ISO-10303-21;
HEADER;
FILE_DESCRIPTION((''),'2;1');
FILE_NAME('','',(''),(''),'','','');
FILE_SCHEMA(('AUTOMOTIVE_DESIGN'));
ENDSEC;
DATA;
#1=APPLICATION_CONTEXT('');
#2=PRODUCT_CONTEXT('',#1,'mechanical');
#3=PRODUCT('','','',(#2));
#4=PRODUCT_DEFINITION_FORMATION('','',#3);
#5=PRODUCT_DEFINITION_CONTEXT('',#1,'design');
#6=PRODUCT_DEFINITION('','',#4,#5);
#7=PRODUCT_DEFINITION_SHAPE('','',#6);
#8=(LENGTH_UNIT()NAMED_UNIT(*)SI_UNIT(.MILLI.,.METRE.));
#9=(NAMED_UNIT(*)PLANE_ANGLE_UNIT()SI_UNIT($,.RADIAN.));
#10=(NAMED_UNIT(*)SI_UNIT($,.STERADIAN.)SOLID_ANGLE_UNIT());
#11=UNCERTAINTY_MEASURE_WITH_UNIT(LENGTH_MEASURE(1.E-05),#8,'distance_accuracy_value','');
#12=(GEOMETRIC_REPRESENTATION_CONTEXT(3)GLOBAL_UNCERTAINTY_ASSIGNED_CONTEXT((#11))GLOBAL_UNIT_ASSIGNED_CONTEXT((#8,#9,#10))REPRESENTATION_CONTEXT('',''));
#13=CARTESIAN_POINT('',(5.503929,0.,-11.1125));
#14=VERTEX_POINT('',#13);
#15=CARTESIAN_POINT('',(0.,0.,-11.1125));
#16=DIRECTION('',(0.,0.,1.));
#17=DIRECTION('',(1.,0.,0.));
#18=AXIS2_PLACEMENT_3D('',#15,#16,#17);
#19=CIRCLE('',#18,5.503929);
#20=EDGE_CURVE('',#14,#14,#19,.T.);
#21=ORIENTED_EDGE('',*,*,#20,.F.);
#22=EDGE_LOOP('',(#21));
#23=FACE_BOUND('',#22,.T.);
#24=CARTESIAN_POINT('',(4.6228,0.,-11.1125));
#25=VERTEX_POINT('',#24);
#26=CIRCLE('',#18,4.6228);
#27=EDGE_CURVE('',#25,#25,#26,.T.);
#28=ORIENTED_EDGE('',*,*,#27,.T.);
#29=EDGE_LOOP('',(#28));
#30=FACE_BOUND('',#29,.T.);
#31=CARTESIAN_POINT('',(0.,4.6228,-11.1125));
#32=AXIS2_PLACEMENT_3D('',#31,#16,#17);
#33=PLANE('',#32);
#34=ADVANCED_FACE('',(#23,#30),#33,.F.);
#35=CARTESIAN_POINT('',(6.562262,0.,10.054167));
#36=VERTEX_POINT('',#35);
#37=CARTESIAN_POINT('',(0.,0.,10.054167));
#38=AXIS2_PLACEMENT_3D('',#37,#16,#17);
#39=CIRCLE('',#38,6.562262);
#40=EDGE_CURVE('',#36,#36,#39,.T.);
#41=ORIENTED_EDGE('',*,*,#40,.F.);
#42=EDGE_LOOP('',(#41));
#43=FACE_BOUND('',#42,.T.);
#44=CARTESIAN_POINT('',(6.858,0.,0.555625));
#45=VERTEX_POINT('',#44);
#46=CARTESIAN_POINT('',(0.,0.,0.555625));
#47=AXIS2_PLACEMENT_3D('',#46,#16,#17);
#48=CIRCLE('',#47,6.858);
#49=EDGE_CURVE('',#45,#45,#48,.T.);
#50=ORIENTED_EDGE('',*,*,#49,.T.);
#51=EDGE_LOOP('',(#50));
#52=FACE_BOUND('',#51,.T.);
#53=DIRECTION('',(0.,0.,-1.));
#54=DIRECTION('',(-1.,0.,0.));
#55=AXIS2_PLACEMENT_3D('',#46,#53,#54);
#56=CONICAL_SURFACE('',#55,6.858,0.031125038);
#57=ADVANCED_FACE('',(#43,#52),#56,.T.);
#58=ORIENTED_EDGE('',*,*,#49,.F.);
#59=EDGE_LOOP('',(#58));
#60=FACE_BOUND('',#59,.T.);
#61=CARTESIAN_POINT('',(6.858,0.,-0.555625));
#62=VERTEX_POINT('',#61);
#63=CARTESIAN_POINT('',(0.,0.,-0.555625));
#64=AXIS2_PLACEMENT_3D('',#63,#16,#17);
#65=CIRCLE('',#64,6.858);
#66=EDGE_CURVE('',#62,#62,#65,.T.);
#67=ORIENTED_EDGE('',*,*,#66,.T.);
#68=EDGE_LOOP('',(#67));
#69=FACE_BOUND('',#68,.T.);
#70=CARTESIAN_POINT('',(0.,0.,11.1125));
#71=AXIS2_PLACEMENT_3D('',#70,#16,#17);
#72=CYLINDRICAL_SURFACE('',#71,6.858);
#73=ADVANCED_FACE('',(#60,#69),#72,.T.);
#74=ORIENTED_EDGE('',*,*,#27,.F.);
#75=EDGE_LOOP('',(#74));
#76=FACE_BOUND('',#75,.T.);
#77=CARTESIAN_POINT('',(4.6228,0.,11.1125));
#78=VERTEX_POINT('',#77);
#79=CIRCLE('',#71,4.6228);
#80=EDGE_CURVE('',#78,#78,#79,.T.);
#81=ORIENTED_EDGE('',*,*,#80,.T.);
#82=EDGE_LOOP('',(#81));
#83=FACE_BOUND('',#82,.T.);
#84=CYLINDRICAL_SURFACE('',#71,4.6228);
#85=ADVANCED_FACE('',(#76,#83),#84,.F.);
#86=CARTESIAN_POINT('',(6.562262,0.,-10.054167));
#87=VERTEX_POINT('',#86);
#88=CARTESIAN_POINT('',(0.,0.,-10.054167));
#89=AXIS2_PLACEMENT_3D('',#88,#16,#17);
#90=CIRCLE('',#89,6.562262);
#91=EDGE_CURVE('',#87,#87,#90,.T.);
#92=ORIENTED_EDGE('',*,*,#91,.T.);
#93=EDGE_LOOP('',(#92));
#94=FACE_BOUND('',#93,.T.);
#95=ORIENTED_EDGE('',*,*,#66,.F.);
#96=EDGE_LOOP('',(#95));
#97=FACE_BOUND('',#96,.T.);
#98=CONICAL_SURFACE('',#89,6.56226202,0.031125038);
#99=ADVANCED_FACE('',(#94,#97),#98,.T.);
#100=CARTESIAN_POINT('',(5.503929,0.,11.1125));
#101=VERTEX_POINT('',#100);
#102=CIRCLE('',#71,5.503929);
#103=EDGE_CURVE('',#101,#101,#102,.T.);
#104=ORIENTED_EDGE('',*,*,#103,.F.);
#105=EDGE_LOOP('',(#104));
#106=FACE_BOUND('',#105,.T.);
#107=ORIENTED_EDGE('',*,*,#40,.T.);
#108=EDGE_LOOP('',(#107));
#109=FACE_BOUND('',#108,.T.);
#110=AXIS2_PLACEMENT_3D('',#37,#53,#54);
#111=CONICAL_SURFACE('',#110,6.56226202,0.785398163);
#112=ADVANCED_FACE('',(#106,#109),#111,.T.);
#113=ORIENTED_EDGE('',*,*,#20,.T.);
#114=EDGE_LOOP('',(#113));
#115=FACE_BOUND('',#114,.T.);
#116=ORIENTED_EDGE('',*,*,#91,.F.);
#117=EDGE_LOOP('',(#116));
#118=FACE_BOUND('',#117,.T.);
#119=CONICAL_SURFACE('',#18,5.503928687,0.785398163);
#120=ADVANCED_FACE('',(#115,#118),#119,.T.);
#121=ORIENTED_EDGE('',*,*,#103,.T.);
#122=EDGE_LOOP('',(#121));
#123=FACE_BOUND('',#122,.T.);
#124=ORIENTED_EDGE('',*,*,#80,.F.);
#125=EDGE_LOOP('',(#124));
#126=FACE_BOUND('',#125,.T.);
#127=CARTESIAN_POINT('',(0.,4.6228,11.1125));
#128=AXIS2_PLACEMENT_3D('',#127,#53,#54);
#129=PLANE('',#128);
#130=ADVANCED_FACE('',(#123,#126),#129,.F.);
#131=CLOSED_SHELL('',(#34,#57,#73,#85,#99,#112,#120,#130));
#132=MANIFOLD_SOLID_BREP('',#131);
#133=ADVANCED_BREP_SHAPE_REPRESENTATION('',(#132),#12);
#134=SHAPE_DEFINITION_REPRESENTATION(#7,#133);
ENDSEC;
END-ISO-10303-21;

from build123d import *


with BuildPart() as part:
    # Sketch1 → Revolve1 (revolve)
    with BuildSketch(Plane(origin=(0, 0, 0), x_dir=(0, 0, -1), z_dir=(1, 0, 0))):
        Polygon((-11.1125, 4.6228), (-11.1125, 5.503928687), (-10.054166667, 6.56226202), (-0.555625, 6.858), (0.555625, 6.858), (10.054166667, 6.56226202), (11.1125, 5.503928687), (11.1125, 4.6228), align=None)
    revolve(axis=Axis((0, 0, 11.1125), (0, 0, -1)))


solid = part.part
